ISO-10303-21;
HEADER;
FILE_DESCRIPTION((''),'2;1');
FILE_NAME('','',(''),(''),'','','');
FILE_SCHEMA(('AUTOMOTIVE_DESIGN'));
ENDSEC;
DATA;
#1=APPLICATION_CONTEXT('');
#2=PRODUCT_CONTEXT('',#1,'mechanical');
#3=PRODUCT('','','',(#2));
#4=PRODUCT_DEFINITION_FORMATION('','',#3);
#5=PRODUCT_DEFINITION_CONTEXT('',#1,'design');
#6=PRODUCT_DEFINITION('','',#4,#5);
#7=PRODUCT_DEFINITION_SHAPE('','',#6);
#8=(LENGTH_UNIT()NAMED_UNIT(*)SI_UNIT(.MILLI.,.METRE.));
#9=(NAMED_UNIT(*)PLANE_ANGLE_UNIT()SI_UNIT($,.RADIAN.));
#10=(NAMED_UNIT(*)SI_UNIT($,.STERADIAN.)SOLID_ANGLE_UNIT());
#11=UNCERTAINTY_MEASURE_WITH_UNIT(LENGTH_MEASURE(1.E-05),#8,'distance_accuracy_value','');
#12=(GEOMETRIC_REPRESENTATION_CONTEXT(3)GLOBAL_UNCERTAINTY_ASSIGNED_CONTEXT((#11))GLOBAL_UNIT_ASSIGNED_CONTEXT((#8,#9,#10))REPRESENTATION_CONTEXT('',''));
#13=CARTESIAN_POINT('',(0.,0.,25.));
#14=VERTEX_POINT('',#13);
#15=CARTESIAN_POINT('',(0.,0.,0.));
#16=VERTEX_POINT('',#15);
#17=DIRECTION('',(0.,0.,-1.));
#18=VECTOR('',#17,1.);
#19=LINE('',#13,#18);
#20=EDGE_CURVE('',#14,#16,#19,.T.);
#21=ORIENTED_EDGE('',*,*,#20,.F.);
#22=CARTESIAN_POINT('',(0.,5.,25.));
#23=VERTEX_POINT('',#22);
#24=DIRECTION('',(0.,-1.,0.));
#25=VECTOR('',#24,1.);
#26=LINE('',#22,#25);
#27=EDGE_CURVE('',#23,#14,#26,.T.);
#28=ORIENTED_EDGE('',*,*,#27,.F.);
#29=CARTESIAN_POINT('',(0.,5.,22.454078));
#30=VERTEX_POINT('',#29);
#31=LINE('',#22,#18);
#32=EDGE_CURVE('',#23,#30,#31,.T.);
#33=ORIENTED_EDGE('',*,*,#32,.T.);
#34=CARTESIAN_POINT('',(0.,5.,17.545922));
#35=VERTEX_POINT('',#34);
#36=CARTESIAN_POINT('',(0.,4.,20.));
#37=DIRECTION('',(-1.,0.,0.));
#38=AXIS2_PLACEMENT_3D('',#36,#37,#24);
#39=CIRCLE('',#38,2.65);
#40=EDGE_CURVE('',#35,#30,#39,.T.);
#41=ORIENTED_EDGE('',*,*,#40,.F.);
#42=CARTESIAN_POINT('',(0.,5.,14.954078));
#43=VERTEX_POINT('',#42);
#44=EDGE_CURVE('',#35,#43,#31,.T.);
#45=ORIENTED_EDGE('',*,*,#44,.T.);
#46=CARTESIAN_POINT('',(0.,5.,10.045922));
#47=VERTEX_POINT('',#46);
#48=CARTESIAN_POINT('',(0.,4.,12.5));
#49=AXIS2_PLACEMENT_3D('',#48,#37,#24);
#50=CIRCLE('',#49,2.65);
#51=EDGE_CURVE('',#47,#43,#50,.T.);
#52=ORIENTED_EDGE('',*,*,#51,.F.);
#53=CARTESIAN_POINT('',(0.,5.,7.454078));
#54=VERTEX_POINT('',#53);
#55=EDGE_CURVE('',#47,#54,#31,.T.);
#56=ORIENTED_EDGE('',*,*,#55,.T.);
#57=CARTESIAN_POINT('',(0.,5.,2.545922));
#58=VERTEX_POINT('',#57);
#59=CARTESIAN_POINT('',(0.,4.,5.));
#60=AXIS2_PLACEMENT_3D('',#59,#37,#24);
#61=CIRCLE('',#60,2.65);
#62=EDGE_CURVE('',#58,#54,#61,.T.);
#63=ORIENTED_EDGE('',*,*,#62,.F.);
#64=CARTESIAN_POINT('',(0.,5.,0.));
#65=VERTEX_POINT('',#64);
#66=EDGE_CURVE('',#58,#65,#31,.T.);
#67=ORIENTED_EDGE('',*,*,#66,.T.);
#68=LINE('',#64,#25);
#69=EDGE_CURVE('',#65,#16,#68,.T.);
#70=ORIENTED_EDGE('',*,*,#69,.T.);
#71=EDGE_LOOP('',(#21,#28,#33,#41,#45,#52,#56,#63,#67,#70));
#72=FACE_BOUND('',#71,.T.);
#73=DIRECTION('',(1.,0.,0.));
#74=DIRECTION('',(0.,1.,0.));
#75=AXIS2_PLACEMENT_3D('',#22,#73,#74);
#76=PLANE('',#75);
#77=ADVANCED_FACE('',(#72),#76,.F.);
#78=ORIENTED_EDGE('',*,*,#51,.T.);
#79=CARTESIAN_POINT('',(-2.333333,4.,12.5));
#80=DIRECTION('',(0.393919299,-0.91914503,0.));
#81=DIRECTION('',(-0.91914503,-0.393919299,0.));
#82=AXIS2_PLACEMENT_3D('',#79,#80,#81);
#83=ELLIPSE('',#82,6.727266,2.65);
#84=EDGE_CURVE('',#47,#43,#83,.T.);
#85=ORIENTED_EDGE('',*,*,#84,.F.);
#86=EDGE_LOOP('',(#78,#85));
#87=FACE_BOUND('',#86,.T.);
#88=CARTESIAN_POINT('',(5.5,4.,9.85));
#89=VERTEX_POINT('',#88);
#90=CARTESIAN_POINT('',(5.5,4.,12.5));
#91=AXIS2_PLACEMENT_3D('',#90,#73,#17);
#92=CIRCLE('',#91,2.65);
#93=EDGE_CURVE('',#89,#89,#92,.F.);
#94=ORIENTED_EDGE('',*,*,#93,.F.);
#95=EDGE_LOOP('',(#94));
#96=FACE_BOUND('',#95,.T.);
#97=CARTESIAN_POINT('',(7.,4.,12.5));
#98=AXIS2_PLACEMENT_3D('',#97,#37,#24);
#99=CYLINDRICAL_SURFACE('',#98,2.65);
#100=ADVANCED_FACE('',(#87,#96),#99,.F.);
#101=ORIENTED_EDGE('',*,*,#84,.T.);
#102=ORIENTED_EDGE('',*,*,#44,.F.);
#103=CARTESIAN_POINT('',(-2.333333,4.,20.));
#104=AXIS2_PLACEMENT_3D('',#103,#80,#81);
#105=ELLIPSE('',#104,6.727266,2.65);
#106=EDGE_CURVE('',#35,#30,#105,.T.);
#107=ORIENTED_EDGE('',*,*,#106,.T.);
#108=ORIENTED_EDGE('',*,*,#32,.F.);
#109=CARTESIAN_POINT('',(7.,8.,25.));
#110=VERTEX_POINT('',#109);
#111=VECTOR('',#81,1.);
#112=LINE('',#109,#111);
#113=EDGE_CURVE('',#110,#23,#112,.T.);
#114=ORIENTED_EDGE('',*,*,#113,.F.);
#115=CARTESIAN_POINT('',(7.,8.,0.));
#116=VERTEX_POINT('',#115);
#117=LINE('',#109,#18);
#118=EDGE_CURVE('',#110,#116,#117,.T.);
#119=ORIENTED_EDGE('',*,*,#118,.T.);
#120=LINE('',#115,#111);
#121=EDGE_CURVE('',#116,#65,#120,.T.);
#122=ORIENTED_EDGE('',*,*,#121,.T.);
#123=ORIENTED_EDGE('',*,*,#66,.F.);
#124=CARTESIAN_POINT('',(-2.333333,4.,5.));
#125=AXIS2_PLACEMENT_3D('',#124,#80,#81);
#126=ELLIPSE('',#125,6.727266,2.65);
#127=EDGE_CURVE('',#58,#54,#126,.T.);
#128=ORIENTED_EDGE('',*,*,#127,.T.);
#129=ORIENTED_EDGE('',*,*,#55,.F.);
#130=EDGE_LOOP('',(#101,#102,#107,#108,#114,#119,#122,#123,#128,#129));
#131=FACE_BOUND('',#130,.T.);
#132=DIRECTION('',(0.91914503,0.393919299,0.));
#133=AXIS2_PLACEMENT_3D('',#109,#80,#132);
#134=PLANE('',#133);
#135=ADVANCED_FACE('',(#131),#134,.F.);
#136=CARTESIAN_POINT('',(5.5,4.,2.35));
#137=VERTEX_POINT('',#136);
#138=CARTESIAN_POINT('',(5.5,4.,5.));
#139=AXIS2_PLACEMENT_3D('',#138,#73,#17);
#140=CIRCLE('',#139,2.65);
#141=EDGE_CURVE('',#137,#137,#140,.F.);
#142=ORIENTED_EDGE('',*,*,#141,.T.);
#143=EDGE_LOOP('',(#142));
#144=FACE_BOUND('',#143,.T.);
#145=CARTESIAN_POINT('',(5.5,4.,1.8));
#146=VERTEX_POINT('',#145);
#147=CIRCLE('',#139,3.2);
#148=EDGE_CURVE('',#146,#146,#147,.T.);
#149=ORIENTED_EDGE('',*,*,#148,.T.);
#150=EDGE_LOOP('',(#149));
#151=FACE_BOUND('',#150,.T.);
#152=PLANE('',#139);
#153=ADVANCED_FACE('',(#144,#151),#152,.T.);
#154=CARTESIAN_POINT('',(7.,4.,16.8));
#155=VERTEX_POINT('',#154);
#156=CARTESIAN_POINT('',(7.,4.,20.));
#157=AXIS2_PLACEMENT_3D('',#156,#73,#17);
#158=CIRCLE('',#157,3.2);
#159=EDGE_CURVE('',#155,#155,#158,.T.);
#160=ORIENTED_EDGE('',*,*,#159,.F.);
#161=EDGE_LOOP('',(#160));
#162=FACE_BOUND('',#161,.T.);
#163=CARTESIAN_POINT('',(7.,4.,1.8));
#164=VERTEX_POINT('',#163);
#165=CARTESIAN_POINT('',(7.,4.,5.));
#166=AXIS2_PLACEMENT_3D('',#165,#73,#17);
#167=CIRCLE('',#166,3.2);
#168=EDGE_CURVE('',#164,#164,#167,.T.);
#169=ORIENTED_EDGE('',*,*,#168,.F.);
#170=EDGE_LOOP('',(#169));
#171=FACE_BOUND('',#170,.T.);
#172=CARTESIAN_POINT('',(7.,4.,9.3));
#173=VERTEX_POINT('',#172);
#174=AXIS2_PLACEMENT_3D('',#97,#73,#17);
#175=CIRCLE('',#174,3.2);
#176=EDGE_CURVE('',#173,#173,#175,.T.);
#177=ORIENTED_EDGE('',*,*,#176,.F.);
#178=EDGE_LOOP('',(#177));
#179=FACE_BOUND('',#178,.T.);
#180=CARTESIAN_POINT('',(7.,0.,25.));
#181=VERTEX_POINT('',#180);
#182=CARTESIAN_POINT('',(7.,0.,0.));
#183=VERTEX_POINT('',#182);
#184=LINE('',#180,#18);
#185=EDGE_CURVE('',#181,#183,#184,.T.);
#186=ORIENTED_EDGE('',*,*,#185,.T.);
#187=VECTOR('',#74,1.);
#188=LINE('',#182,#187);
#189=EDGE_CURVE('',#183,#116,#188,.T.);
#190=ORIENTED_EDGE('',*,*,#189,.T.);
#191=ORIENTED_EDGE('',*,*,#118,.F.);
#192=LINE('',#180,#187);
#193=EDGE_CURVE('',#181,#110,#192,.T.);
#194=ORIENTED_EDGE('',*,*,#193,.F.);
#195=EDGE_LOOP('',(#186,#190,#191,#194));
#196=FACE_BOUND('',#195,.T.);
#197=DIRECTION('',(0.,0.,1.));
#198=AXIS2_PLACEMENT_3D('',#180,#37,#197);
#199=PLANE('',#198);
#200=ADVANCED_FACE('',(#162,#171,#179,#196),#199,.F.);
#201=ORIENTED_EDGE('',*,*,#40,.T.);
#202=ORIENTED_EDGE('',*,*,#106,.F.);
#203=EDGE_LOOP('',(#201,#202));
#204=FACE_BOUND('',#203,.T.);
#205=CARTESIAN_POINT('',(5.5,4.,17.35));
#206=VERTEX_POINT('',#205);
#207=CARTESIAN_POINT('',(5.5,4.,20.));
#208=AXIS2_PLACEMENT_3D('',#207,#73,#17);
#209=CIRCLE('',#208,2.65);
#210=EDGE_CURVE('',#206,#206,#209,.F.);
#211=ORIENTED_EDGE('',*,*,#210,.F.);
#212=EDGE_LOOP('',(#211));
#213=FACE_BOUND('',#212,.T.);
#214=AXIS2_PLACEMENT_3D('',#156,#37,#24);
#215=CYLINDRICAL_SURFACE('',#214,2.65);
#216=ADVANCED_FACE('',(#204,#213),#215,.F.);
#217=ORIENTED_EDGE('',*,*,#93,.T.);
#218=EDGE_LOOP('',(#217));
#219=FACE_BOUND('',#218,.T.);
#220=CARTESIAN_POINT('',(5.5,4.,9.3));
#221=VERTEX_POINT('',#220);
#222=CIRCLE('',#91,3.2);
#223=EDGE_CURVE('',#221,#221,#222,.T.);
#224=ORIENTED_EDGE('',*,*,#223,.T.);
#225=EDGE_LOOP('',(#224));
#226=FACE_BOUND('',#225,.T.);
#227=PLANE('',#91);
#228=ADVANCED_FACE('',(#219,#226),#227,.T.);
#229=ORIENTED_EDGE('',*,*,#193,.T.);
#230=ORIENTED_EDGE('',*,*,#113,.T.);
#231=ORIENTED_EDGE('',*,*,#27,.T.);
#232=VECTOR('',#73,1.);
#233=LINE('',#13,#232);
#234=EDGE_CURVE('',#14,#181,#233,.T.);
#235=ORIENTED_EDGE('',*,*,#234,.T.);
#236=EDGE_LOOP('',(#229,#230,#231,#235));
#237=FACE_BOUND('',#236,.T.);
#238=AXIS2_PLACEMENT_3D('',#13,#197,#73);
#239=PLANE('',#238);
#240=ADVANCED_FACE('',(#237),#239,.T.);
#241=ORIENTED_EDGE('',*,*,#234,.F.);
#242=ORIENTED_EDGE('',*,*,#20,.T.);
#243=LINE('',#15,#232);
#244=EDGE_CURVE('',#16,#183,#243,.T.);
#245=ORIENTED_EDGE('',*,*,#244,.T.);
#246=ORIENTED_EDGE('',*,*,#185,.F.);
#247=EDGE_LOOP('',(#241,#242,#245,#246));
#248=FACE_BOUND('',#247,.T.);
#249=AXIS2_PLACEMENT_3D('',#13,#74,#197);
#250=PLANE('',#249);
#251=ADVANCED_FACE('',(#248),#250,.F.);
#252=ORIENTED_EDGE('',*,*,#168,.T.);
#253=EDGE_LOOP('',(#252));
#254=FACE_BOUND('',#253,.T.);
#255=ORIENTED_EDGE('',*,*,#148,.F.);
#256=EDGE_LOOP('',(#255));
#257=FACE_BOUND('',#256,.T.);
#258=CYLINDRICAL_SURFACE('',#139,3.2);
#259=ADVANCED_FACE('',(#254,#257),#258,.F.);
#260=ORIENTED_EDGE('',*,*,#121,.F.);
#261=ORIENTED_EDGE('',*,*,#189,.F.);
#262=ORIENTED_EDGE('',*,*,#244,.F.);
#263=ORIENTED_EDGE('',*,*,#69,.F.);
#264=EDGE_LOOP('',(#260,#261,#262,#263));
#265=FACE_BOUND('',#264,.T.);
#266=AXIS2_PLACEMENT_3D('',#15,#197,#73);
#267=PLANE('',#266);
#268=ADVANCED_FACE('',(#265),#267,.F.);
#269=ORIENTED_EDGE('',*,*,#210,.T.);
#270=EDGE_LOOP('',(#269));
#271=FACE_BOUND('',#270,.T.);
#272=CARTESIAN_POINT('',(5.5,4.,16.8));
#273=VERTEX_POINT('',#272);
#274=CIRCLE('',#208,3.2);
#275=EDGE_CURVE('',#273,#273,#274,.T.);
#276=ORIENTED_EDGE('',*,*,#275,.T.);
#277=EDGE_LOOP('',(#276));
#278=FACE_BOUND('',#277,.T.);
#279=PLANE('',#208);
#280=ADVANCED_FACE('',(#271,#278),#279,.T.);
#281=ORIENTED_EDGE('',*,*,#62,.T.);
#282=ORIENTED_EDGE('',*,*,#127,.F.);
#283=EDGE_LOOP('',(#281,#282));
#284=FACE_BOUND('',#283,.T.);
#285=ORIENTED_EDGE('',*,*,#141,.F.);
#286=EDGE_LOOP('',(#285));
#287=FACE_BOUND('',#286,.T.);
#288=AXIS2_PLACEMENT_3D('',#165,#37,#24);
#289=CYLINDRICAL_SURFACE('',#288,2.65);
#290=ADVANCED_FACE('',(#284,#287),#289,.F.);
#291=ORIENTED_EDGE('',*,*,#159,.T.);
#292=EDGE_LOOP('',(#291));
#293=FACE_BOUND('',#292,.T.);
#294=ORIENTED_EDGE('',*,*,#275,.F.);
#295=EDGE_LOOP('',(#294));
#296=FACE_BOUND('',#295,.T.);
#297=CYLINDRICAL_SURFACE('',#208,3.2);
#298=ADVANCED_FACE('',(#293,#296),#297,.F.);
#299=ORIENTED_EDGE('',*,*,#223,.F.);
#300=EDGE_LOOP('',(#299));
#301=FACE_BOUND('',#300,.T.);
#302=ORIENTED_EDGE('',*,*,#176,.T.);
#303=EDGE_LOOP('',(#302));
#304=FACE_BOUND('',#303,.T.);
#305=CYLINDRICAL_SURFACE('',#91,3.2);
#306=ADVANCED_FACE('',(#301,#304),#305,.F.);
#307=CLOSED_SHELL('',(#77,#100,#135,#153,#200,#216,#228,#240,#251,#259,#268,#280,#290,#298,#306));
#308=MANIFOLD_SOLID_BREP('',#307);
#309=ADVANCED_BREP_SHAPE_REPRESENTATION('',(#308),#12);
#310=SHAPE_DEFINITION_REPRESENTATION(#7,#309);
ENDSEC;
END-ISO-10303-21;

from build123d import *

# Parameters (mm, degrees)
BOSS_EXTRU_1_DEPTH      = 25
ESQUISSE2_R             = 2.65
ENL_V_MAT_EXTRU_1_DEPTH = 28.166155414
ESQUISSE3_R             = 3.2
ENL_V_MAT_EXTRU_2_DEPTH = 1.5


with BuildPart() as part:
    # Esquisse1 → Boss.-Extru.1 (new body)
    with BuildSketch(Plane.XY):
        Polygon((0, 0), (7, 0), (7, 8), (0, 5), align=None)
    extrude(amount=BOSS_EXTRU_1_DEPTH)

    # Esquisse2 → Enlèv. mat.-Extru.1 (cut, through all)
    with BuildSketch(Plane.ZY):
        with Locations(Location((5, 4, 0), (0, 0, 270))):
            Circle(ESQUISSE2_R)
        with Locations(Location((12.5, 4, 0), (0, 0, 270))):
            Circle(ESQUISSE2_R)
        with Locations(Location((20, 4, 0), (0, 0, 270))):
            Circle(ESQUISSE2_R)
    extrude(amount=-ENL_V_MAT_EXTRU_1_DEPTH, mode=Mode.SUBTRACT)

    # Esquisse3 → Enlèv. mat.-Extru.2 (cut)
    with BuildSketch(Plane(origin=(7, 0, 0), x_dir=(0, 0, -1), z_dir=(1, 0, 0))):
        with Locations((-20, 4)):
            Circle(ESQUISSE3_R)
        with Locations((-12.5, 4)):
            Circle(ESQUISSE3_R)
        with Locations((-5, 4)):
            Circle(ESQUISSE3_R)
    extrude(amount=-ENL_V_MAT_EXTRU_2_DEPTH, mode=Mode.SUBTRACT)


solid = part.part
